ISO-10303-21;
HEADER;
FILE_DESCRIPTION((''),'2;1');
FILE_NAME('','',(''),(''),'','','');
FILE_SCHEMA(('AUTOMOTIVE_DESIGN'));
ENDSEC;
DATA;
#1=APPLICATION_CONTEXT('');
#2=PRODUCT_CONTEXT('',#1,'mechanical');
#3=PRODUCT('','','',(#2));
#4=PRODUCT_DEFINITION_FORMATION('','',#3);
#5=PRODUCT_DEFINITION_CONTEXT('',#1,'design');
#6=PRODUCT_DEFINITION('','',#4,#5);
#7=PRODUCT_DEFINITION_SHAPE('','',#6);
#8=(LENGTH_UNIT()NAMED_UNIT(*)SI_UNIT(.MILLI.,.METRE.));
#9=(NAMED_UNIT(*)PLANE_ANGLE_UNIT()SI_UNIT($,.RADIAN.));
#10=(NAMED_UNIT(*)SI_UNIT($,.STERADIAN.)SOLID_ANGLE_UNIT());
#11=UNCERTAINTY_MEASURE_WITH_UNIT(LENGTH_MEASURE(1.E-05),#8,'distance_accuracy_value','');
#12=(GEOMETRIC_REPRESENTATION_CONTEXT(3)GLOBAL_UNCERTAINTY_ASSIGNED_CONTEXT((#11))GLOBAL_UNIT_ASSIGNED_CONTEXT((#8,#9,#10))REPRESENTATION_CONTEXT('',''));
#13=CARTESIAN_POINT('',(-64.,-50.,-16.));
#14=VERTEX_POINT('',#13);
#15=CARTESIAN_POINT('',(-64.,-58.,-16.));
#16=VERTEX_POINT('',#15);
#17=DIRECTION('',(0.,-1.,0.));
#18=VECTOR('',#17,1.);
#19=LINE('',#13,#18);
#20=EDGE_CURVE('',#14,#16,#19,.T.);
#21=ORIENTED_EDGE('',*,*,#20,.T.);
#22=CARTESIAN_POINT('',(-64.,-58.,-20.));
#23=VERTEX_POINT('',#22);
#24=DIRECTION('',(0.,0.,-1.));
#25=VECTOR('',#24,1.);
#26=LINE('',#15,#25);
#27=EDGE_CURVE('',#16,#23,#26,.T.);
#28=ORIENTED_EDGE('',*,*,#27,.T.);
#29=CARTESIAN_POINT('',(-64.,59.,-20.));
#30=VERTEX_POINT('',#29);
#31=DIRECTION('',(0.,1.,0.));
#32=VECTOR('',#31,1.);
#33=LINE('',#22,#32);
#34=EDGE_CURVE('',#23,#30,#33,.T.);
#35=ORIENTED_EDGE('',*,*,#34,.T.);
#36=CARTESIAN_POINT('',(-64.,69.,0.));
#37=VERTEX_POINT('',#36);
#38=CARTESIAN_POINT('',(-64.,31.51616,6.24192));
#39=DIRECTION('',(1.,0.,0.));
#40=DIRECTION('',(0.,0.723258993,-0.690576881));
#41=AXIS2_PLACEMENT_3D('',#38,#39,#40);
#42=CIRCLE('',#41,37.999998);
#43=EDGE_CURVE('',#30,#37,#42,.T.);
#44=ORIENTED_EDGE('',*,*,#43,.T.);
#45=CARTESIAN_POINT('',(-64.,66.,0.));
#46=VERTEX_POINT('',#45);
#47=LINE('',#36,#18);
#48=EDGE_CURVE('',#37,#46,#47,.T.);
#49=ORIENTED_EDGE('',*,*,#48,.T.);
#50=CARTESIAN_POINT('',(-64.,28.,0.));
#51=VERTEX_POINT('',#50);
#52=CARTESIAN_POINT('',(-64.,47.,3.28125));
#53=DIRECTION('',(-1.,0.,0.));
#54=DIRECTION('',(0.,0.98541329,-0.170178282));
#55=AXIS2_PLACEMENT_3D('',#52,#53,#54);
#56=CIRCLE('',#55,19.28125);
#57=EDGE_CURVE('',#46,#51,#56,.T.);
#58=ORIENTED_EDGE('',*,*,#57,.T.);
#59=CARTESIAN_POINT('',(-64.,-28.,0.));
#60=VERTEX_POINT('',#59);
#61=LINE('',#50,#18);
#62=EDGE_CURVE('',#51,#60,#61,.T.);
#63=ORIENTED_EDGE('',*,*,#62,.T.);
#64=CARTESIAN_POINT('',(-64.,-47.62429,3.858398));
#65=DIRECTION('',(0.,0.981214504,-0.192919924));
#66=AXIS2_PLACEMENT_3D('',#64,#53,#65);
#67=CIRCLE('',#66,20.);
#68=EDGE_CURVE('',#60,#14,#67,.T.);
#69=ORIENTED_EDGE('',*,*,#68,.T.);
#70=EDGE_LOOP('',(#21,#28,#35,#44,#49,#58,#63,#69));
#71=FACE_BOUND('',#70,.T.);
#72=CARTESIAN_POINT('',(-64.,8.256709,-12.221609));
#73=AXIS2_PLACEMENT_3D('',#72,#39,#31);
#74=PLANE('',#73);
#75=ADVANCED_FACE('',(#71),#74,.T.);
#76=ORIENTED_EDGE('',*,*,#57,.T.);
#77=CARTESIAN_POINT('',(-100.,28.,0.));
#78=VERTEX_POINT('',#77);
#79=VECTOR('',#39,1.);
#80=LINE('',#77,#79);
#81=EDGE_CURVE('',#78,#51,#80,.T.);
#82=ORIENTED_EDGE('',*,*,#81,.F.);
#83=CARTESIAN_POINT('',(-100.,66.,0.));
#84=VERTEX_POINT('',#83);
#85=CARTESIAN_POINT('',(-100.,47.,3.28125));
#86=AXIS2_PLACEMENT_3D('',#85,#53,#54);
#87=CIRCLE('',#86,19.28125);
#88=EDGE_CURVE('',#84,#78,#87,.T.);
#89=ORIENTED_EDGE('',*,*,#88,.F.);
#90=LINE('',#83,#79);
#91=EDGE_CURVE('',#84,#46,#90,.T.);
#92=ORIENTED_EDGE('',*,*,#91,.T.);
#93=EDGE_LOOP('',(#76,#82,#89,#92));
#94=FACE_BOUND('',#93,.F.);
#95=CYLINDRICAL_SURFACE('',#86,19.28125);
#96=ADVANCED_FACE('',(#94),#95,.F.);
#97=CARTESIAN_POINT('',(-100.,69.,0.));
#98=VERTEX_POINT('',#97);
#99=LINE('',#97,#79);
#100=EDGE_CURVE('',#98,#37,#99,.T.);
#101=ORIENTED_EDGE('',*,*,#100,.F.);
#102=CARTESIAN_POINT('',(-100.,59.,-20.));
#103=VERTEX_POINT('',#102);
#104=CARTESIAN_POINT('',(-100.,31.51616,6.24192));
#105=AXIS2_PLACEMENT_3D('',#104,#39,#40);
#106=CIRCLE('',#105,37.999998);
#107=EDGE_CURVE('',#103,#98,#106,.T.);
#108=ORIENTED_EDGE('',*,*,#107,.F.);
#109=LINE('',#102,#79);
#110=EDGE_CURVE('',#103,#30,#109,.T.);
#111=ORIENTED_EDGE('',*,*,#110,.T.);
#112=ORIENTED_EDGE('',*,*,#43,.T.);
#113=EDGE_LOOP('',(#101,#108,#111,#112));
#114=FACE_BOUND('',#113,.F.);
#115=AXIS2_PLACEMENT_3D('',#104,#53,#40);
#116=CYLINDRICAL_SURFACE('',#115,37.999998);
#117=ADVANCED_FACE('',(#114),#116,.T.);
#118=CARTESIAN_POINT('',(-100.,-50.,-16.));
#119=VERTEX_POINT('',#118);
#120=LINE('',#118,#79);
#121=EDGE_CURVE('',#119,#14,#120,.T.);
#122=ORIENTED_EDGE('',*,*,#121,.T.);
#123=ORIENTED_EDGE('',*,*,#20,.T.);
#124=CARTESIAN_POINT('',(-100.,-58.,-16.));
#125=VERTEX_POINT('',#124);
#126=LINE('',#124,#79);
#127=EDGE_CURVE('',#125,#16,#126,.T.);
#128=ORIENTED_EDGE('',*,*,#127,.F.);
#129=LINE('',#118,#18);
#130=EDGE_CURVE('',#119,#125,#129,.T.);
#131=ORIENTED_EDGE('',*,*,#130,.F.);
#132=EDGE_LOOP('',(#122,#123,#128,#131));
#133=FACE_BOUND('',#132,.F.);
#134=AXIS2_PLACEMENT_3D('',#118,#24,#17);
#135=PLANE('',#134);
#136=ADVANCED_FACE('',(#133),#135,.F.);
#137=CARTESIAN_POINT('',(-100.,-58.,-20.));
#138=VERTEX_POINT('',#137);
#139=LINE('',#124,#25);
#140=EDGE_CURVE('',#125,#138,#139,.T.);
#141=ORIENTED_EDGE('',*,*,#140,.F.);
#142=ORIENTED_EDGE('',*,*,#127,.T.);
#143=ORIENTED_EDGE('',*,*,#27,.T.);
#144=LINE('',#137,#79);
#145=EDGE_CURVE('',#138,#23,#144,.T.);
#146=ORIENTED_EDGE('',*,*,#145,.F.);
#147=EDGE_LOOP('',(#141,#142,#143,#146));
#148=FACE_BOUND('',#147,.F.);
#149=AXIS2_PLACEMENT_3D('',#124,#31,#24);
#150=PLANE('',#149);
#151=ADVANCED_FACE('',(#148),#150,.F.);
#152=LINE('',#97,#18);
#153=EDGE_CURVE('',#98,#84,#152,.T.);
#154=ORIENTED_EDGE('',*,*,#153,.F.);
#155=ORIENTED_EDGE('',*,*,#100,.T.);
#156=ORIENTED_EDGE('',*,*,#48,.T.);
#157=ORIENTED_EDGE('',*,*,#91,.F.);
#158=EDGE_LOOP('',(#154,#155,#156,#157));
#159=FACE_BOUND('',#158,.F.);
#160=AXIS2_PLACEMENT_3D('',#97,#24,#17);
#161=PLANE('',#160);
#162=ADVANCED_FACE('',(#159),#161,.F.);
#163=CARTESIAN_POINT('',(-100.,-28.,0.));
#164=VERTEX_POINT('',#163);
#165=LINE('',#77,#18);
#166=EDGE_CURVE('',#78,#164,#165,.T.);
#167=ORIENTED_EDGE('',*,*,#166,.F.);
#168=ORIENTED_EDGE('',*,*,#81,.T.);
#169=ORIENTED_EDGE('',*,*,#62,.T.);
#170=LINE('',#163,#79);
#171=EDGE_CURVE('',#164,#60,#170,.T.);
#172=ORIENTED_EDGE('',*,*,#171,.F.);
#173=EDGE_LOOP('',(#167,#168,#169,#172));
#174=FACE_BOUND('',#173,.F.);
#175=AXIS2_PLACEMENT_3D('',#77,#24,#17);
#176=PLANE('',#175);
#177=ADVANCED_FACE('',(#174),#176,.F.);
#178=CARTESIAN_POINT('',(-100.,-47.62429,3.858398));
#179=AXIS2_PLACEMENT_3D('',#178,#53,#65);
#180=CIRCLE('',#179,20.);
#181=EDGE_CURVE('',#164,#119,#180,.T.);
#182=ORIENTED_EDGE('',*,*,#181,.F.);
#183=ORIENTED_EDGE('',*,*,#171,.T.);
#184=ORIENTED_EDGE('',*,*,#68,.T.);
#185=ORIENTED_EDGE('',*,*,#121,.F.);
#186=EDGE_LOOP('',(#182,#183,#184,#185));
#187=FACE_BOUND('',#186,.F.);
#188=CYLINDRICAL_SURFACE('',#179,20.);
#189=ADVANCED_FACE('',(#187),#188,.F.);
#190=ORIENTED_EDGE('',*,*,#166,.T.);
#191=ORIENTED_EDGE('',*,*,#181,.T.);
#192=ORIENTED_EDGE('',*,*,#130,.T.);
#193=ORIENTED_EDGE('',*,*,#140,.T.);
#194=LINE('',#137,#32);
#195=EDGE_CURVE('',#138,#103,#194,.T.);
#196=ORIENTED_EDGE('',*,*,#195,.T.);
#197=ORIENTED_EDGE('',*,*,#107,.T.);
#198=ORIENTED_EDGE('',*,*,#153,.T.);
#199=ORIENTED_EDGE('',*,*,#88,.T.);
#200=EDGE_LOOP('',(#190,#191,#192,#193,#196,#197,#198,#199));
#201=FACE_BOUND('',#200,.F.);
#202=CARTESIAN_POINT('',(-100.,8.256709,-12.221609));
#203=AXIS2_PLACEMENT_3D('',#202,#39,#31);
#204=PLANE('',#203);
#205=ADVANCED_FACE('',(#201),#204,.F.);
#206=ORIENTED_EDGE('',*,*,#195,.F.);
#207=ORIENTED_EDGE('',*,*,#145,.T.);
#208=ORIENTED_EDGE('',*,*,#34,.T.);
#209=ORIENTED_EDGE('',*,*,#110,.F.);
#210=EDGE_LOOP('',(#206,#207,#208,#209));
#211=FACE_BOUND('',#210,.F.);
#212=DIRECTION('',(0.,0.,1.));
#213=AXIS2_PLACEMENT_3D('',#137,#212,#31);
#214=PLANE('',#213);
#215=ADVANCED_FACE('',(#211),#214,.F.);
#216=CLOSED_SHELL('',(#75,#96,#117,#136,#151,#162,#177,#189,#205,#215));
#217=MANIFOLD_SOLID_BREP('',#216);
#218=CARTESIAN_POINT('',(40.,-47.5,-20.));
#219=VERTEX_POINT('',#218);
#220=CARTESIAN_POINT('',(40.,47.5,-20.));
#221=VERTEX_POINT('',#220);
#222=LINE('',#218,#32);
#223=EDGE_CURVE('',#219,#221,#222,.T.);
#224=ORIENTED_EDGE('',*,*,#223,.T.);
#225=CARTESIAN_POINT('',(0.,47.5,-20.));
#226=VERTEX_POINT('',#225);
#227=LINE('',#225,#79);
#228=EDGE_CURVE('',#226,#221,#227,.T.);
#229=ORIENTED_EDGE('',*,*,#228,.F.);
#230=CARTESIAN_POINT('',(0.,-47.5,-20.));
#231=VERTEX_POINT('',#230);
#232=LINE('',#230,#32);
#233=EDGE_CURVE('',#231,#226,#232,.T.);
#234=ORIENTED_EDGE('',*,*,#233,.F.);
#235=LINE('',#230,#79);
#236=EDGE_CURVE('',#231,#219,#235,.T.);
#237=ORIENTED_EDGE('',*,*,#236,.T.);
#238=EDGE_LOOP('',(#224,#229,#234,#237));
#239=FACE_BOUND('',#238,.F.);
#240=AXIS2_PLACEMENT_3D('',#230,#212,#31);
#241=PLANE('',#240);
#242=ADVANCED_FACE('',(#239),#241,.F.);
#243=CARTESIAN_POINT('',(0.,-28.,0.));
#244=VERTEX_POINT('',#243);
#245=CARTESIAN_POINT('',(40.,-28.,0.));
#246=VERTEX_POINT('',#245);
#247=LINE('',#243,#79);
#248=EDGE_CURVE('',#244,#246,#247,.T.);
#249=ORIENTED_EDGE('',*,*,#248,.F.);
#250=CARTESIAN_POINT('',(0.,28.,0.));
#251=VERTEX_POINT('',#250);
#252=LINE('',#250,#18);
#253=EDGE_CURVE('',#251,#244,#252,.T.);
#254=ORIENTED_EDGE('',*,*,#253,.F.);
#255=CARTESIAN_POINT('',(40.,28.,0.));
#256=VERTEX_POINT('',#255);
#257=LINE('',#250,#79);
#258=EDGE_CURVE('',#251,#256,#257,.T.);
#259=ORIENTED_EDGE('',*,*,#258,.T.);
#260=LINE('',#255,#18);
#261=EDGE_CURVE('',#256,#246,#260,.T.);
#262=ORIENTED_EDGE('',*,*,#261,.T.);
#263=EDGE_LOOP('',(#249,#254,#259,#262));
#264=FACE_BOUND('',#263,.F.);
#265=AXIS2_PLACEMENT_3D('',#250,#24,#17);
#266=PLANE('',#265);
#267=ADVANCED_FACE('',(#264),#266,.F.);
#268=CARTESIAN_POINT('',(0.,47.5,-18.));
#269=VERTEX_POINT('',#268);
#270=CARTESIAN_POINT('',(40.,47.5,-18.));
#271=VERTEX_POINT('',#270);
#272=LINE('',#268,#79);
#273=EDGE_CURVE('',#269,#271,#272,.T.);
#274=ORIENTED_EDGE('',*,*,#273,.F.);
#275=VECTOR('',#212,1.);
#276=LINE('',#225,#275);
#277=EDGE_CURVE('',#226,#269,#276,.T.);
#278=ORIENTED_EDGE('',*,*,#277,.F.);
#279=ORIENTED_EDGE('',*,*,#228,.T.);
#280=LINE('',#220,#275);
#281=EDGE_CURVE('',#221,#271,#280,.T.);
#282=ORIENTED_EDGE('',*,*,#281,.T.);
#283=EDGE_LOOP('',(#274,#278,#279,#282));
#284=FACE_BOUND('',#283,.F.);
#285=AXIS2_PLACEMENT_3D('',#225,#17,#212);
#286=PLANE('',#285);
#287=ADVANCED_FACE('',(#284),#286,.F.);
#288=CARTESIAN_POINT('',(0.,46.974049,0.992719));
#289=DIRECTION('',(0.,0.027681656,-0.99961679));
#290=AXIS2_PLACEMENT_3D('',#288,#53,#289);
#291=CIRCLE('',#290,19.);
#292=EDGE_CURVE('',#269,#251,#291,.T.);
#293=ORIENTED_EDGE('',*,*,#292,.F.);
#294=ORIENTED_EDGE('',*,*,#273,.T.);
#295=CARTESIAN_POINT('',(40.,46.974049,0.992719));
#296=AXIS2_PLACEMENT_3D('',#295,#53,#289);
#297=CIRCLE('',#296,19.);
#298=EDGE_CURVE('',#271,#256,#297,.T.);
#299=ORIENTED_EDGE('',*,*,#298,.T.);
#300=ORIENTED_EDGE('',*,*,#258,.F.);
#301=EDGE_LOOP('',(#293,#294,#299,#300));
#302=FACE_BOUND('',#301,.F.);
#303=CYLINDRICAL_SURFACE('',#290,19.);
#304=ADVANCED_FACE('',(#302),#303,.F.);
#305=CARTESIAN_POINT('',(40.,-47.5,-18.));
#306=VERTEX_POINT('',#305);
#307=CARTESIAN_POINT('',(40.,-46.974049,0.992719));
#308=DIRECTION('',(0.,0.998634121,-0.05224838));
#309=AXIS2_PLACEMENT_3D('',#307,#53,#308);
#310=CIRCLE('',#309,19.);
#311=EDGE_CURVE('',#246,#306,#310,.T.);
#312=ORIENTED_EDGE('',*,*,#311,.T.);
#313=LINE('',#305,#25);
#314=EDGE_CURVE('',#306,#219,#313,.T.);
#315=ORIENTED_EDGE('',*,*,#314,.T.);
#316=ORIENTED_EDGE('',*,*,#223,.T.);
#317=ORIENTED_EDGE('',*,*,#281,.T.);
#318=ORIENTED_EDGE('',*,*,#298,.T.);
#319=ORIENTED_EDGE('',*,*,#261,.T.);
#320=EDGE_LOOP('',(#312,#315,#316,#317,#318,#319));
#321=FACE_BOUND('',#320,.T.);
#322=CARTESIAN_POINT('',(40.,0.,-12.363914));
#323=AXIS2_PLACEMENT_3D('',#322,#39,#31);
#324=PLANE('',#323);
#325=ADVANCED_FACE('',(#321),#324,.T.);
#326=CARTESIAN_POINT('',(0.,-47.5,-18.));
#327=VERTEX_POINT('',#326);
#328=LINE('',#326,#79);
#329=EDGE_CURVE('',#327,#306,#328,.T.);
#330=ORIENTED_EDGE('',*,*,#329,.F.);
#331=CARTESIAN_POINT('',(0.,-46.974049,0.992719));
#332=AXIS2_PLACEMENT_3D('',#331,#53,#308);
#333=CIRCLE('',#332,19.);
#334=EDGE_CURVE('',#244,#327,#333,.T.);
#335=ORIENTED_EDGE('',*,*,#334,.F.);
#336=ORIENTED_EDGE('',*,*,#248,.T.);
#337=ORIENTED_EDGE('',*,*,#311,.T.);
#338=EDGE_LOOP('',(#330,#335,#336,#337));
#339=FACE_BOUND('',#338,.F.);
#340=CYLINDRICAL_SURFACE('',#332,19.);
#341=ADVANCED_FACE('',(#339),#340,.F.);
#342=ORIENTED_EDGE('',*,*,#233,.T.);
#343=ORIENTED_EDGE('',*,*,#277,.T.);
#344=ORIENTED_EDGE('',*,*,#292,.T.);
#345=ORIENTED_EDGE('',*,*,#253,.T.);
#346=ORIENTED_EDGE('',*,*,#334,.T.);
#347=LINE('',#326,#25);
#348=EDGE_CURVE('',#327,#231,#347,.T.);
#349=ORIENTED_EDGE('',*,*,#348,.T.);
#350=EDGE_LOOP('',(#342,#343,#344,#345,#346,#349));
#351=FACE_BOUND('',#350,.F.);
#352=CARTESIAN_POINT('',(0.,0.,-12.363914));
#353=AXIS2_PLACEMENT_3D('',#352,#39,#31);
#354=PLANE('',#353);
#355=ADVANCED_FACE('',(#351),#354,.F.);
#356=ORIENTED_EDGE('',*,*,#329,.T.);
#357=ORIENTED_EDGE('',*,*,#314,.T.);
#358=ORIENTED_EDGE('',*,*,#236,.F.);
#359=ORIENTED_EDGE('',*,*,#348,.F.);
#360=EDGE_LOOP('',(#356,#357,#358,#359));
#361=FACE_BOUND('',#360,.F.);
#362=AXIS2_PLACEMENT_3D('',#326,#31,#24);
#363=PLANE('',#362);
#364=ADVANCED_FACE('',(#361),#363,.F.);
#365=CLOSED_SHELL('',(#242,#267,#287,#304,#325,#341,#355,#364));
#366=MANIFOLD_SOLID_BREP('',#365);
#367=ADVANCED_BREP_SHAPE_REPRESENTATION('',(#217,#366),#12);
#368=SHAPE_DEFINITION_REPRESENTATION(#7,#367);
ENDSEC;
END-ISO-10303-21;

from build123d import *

# Parameters (mm, degrees)
F1_DEPTH = 40
F4_DEPTH = 36


with BuildPart() as f1:
    # F0 (on Right) → F1 (new body)
    with BuildSketch(Plane.YZ):
        with BuildLine():
            ThreePointArc((47.5, -18), (34.086726, -12.968546), (28, 0))
            Line((28, 0), (-28, 0))
            ThreePointArc((-28, 0), (-34.086726, -12.968546), (-47.5, -18))
            Line((-47.5, -18), (-47.5, -20))
            Line((-47.5, -20), (47.5, -20))
            Line((47.5, -20), (47.5, -18))
        make_face()
    extrude(amount=F1_DEPTH)


with BuildPart() as f4:
    # F3 (on offset) → F4 (new body)
    with BuildSketch(Plane.YZ.offset(-100)):
        with BuildLine():
            Line((28, 0), (-28, 0))
            ThreePointArc((-28, 0), (-35.860856, -12.316323), (-50, -16))
            Line((-50, -16), (-58, -16))
            Line((-58, -16), (-58, -20))
            Line((-58, -20), (0, -20))
            Line((0, -20), (47, -20))
            Line((47, -20), (59, -20))
            ThreePointArc((59, -20), (65.504391, -10.752196), (69, 0))
            Line((69, 0), (66, 0))
            ThreePointArc((66, 0), (47, -16), (28, 0))
        make_face()
    extrude(amount=F4_DEPTH)


solid = Compound([f1.part, f4.part])
